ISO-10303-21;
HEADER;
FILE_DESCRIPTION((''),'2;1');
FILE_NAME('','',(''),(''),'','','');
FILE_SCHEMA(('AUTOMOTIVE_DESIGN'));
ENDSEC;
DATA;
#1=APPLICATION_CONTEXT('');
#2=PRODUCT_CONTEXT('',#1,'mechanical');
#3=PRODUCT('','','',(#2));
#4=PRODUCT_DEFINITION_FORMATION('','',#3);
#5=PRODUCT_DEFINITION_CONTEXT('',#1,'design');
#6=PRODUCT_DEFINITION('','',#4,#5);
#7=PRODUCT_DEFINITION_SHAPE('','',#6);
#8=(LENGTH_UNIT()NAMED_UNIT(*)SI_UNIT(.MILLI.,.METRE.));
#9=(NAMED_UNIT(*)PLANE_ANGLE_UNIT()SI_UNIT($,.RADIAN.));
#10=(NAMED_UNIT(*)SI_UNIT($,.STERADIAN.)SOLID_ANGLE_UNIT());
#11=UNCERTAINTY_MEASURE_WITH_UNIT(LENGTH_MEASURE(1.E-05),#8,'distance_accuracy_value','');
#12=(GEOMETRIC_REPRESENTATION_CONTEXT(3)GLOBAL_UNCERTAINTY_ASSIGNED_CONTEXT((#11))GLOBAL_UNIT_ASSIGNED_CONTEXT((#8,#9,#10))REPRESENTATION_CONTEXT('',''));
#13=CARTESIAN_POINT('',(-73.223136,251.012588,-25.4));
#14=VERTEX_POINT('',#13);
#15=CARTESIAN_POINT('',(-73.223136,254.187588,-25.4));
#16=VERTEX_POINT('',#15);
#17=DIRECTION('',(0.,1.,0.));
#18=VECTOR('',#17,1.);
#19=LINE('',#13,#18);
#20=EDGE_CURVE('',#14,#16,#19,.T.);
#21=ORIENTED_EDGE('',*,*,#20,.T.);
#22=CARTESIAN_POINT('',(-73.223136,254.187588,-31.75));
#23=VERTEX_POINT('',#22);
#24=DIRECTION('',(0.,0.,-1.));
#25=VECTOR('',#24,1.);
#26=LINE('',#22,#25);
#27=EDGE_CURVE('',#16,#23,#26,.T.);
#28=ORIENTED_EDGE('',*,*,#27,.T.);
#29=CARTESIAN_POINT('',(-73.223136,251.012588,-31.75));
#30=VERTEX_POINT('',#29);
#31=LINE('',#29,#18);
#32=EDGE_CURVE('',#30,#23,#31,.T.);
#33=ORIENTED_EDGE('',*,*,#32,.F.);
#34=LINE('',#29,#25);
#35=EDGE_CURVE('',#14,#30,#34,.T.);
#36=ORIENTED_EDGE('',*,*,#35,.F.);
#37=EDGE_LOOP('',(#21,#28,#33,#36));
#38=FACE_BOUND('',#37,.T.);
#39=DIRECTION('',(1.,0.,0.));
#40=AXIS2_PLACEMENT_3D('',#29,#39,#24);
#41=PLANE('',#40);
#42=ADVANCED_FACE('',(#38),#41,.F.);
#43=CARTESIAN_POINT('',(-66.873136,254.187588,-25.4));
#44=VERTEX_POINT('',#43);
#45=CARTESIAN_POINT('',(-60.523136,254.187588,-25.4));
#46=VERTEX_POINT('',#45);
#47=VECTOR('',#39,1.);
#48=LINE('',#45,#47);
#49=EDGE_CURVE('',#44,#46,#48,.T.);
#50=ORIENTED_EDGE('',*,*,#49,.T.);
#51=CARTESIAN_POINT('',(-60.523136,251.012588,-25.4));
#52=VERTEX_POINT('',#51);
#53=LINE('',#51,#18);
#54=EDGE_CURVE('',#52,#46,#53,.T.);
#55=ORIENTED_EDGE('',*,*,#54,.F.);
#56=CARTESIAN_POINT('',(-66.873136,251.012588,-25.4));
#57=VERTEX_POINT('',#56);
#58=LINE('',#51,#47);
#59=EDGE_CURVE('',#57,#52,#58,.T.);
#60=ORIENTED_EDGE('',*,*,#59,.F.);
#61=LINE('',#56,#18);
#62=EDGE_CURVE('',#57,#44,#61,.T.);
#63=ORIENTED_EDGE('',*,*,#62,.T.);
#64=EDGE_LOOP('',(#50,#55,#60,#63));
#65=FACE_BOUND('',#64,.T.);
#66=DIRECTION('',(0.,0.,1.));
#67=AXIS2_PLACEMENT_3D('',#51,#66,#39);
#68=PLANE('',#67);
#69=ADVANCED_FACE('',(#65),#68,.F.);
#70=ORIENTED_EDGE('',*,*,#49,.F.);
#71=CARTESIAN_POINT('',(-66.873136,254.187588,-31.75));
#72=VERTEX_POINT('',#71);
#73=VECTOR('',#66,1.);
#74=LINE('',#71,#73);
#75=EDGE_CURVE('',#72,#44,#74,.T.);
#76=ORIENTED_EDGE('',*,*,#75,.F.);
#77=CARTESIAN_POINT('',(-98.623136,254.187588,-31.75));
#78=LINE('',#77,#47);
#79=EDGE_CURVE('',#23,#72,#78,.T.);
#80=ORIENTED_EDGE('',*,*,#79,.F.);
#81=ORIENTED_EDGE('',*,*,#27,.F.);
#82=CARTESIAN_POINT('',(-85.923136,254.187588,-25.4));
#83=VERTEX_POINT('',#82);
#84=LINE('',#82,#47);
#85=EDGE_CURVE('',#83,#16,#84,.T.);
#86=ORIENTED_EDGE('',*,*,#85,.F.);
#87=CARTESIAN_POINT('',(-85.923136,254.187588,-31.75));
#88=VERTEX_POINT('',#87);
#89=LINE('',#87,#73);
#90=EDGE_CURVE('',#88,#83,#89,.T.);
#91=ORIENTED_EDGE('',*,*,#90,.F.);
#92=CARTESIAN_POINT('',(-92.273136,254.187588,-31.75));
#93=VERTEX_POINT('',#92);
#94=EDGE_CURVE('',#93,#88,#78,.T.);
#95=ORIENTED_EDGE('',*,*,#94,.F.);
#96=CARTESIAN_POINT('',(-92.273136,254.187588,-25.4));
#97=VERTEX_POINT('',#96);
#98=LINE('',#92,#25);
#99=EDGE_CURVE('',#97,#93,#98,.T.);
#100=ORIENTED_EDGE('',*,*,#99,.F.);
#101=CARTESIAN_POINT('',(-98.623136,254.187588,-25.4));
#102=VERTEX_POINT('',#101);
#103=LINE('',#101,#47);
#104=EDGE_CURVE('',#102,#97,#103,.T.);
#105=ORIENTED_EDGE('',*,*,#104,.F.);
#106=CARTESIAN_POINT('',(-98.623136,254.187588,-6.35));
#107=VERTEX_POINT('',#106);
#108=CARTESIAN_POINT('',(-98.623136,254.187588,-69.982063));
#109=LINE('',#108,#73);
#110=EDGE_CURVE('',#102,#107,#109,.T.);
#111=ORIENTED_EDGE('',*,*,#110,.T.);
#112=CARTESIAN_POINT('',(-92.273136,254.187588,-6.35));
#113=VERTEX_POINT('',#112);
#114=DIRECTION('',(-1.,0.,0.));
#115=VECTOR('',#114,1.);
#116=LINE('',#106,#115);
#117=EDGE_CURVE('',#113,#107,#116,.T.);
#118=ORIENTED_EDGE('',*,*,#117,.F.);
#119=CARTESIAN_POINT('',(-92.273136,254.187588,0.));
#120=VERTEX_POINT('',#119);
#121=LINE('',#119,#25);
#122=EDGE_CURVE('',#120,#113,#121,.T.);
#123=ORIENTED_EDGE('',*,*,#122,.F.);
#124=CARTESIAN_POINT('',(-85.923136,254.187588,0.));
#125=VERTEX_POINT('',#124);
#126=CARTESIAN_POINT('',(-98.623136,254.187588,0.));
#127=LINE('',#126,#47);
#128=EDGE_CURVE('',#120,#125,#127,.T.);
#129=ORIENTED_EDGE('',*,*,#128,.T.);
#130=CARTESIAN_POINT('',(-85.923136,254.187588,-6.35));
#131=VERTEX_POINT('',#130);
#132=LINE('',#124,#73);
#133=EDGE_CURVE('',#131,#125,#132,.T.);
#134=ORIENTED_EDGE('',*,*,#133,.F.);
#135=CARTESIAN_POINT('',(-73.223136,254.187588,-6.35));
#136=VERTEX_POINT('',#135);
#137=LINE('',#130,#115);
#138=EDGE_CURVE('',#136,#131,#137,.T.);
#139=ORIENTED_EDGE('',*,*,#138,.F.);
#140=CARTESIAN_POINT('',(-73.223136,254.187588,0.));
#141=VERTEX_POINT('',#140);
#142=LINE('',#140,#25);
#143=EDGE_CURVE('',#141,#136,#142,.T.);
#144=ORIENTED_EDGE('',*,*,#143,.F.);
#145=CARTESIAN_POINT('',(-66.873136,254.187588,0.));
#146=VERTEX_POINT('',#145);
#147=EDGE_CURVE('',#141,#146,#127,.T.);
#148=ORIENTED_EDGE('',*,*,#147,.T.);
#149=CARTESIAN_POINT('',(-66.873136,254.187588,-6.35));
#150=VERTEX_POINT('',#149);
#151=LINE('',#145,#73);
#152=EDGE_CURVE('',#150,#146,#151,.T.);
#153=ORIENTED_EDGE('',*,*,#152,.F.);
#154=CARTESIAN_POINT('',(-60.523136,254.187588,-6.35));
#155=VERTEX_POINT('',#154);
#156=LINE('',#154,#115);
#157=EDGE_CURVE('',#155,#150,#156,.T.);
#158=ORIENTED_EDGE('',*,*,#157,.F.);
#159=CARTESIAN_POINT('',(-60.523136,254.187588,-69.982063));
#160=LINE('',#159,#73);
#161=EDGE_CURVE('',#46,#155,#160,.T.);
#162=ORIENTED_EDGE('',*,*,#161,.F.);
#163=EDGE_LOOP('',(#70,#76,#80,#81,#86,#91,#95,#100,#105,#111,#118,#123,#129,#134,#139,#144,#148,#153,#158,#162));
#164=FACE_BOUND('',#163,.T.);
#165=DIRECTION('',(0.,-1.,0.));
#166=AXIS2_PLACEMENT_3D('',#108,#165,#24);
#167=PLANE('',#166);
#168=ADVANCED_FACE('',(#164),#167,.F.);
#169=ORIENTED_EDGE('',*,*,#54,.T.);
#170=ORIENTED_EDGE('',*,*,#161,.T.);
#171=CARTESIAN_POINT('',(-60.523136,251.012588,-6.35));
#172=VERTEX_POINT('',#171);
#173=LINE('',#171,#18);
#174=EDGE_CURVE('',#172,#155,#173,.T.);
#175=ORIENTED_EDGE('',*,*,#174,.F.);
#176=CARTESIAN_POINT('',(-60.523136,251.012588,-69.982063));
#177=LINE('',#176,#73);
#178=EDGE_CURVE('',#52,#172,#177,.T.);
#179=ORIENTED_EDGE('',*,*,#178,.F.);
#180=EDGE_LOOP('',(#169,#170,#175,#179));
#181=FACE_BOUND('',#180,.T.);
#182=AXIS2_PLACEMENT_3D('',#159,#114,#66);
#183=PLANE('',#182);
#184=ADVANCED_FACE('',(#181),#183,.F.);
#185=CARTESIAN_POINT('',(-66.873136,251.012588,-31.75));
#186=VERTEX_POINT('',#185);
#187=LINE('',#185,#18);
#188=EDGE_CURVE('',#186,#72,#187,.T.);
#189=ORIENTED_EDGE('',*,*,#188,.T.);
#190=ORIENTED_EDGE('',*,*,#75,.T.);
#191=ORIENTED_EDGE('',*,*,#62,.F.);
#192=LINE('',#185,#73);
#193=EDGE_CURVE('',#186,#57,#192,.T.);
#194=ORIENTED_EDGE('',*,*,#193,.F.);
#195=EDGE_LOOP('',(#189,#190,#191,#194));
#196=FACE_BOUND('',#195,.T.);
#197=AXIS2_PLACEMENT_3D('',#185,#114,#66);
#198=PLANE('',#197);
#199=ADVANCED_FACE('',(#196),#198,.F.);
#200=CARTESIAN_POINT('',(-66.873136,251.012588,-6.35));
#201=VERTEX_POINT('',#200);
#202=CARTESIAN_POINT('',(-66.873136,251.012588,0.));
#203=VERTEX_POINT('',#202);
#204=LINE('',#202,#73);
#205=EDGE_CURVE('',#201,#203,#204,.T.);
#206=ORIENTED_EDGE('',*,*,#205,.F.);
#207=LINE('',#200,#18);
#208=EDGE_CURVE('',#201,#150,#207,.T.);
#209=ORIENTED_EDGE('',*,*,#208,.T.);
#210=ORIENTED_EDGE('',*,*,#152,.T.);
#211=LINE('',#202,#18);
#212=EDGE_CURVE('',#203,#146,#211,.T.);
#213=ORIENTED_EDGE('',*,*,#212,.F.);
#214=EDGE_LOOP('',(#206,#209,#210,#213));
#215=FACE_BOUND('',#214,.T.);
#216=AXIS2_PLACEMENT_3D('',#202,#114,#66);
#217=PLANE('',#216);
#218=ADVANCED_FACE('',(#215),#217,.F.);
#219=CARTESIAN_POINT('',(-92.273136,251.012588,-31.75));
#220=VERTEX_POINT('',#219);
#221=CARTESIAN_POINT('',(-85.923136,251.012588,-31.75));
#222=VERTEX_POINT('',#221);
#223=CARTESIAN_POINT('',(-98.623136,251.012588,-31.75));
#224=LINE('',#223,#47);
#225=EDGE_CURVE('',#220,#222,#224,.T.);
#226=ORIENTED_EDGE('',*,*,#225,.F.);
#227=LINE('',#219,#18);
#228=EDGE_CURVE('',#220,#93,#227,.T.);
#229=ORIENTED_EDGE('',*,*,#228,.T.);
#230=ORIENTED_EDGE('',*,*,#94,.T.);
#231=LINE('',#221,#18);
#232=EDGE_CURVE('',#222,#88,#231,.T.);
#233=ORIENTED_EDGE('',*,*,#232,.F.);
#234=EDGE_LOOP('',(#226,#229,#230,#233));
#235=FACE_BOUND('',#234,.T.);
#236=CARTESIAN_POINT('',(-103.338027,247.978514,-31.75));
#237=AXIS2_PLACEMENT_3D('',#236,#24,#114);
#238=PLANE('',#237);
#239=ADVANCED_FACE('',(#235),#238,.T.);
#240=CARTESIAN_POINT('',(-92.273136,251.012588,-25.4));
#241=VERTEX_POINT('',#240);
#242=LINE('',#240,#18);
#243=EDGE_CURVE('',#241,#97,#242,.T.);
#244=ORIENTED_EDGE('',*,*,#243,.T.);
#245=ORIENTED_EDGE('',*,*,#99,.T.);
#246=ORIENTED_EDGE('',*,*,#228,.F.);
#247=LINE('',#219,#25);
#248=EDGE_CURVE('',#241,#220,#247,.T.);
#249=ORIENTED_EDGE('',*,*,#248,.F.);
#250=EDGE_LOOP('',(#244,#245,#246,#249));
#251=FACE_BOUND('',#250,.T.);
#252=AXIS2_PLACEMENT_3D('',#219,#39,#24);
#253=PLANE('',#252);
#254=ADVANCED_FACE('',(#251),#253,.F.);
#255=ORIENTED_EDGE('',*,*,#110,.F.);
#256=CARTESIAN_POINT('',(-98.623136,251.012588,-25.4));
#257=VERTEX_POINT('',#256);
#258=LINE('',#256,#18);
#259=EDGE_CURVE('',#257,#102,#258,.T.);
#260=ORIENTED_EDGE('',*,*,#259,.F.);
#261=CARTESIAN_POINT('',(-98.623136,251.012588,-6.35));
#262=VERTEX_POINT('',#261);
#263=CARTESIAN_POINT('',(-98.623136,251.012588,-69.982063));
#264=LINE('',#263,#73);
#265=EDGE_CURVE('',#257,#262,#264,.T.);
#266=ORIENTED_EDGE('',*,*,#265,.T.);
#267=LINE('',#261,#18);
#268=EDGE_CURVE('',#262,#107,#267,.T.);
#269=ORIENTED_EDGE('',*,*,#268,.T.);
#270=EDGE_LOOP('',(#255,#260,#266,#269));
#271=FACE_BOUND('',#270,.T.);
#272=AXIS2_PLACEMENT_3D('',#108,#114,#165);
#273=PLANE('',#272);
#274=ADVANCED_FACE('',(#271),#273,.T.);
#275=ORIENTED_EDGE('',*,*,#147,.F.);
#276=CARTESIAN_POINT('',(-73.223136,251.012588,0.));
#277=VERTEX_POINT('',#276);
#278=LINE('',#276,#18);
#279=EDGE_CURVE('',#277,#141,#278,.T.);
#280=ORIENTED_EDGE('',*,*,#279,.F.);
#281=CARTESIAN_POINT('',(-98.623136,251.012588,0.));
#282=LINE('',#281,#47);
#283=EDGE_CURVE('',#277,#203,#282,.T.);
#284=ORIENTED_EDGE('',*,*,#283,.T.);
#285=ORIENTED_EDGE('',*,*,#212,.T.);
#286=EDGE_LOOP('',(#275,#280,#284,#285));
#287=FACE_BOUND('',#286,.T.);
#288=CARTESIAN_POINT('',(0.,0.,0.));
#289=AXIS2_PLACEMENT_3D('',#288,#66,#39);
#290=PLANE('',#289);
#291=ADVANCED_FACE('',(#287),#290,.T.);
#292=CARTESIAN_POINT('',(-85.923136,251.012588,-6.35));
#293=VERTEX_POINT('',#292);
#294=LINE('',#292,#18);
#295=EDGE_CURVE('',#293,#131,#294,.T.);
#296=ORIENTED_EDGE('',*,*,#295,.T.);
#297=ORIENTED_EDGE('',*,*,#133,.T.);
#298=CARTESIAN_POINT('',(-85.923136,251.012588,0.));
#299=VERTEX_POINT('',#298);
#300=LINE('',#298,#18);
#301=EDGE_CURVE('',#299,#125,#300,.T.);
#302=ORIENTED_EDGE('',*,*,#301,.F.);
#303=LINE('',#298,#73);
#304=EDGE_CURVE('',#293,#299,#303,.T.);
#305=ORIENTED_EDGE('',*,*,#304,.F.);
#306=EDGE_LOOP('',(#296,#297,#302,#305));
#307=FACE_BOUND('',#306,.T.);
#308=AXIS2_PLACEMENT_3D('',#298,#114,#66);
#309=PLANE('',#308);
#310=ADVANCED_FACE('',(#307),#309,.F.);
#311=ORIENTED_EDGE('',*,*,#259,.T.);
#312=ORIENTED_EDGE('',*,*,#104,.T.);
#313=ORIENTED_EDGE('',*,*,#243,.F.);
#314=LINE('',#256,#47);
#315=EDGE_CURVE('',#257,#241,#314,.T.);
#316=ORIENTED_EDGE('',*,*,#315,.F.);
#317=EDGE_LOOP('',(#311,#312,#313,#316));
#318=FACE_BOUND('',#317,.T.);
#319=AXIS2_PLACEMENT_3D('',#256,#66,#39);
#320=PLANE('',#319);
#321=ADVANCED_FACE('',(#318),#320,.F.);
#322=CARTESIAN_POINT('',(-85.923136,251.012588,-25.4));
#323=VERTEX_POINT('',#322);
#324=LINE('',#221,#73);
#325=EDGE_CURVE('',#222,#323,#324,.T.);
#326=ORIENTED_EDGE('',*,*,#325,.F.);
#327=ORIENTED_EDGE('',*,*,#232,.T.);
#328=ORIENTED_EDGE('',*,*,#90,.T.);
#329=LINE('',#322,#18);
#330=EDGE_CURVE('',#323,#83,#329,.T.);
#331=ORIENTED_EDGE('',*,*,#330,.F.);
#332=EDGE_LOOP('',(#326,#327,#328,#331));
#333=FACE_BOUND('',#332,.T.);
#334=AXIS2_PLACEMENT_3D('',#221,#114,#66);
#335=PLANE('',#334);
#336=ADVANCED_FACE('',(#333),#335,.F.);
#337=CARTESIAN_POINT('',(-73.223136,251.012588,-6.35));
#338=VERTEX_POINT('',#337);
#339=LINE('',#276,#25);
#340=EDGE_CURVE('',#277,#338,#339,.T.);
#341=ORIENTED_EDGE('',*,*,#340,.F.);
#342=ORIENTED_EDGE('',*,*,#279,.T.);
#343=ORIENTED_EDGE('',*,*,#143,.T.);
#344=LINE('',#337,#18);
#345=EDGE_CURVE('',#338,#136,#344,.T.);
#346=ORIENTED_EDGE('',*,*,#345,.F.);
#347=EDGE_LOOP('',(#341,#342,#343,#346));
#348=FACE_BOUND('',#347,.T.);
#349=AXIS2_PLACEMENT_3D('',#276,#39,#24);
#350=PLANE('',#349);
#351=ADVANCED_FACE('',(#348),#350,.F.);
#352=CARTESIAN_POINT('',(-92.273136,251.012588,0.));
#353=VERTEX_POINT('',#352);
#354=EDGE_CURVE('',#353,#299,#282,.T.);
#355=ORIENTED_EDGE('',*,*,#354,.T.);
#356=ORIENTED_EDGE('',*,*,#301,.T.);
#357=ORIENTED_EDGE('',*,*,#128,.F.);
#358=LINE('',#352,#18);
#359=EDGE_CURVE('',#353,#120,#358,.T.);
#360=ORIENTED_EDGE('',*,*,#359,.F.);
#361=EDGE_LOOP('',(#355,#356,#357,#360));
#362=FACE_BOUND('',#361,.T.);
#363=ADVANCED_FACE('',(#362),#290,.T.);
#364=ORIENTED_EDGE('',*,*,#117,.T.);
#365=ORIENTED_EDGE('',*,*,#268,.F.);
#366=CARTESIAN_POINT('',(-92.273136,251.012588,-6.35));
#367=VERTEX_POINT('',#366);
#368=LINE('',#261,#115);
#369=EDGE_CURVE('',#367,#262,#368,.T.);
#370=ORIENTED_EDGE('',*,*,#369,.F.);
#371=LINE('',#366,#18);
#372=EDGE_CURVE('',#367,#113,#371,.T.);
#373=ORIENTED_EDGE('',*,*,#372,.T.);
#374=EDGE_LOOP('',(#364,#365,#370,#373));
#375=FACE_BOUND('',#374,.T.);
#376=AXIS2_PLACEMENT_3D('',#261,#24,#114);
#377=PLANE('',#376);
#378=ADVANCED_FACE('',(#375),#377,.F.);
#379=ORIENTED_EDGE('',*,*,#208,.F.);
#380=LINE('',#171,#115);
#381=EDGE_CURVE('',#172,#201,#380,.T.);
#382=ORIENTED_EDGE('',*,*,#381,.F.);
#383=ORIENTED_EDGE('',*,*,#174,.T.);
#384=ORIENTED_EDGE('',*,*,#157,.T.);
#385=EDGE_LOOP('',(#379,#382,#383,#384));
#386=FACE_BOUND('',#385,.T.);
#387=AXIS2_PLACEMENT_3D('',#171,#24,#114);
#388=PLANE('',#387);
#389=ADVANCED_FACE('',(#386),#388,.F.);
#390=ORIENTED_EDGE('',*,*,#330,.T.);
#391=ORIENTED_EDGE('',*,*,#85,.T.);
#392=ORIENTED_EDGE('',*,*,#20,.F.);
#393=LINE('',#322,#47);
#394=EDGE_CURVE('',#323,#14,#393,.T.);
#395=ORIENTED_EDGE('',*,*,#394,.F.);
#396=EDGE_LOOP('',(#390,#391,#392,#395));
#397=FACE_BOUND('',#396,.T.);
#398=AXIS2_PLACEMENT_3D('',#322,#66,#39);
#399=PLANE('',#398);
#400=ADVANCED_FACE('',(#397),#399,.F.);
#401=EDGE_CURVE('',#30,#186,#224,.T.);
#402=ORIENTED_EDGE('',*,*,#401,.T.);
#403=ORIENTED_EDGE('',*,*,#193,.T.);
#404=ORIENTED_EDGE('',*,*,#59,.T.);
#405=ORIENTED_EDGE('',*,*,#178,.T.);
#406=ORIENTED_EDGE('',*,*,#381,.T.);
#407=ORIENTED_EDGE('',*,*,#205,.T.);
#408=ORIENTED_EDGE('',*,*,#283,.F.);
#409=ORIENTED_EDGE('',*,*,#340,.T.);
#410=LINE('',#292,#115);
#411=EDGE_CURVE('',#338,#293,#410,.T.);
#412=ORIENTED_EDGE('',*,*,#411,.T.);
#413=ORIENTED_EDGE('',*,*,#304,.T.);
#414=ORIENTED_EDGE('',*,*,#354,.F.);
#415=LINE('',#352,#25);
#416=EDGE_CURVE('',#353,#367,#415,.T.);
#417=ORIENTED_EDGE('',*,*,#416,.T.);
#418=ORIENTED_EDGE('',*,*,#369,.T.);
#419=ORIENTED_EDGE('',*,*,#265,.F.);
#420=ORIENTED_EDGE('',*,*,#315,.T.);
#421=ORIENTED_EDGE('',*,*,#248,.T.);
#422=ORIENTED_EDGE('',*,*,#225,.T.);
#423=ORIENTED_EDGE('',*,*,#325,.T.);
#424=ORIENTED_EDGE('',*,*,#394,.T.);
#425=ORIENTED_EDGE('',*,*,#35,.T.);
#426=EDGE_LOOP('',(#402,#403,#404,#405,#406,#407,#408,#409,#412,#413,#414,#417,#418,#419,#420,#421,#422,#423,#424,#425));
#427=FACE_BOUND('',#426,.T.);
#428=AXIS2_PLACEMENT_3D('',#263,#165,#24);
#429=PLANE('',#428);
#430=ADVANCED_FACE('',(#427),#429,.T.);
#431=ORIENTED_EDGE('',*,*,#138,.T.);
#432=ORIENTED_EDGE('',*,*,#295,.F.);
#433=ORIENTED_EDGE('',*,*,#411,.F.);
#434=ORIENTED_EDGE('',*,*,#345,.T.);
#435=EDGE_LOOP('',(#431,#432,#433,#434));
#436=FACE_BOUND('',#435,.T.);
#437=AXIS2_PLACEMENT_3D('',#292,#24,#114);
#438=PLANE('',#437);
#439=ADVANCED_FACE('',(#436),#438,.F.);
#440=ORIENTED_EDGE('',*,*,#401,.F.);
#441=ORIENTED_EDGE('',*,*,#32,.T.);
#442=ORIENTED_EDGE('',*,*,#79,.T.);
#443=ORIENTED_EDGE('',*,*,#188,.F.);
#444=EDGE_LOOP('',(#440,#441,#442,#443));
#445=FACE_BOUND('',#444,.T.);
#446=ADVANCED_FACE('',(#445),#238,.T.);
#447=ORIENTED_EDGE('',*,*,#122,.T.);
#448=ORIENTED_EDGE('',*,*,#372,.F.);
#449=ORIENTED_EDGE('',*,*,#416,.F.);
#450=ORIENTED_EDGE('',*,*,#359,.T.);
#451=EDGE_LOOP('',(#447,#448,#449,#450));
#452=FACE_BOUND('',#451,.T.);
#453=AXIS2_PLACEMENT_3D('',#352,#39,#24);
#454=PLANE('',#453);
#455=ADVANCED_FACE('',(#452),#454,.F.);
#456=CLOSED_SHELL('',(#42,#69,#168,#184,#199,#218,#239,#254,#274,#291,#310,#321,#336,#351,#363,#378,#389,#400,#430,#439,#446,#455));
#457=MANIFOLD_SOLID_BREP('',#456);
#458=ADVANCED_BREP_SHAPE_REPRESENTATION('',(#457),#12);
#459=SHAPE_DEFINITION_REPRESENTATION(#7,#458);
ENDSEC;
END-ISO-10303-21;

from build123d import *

# Parameters (mm, degrees)
SKETCH1_W           = 38.1
SKETCH1_H           = 3.175
BOSS_EXTRUDE1_DEPTH = 31.75
SKETCH2_W           = 6.35
SKETCH2_H           = 6.35
SKETCH2_W_2         = 12.7
CUT_EXTRUDE1_DEPTH  = 104.656480846


with BuildPart() as part:
    # Sketch1 → Boss-Extrude1 (new body)
    with BuildSketch(Plane.XY):
        with Locations((-79.573135706, 252.60008846)):
            Rectangle(SKETCH1_W, SKETCH1_H)
    extrude(amount=-BOSS_EXTRUDE1_DEPTH)

    # Sketch2 → Cut-Extrude1 (cut, through all)
    with BuildSketch(Plane(origin=(0, 254.18758846, 0), x_dir=(1, 0, 0), z_dir=(0, 1, 0))):
        with Locations((-95.448135706, 28.575)):
            Rectangle(SKETCH2_W, SKETCH2_H)
        with Locations((-79.573135706, 28.575)):
            Rectangle(SKETCH2_W_2, SKETCH2_H)
        with Locations((-63.698135706, 28.575)):
            Rectangle(SKETCH2_W, SKETCH2_H)
        with Locations((-95.448135706, 3.175)):
            Rectangle(SKETCH2_W, SKETCH2_H)
        with Locations((-79.573135706, 3.175)):
            Rectangle(SKETCH2_W_2, SKETCH2_H)
        with Locations((-63.698135706, 3.175)):
            Rectangle(SKETCH2_W, SKETCH2_H)
    extrude(amount=-CUT_EXTRUDE1_DEPTH, mode=Mode.SUBTRACT)


solid = part.part
